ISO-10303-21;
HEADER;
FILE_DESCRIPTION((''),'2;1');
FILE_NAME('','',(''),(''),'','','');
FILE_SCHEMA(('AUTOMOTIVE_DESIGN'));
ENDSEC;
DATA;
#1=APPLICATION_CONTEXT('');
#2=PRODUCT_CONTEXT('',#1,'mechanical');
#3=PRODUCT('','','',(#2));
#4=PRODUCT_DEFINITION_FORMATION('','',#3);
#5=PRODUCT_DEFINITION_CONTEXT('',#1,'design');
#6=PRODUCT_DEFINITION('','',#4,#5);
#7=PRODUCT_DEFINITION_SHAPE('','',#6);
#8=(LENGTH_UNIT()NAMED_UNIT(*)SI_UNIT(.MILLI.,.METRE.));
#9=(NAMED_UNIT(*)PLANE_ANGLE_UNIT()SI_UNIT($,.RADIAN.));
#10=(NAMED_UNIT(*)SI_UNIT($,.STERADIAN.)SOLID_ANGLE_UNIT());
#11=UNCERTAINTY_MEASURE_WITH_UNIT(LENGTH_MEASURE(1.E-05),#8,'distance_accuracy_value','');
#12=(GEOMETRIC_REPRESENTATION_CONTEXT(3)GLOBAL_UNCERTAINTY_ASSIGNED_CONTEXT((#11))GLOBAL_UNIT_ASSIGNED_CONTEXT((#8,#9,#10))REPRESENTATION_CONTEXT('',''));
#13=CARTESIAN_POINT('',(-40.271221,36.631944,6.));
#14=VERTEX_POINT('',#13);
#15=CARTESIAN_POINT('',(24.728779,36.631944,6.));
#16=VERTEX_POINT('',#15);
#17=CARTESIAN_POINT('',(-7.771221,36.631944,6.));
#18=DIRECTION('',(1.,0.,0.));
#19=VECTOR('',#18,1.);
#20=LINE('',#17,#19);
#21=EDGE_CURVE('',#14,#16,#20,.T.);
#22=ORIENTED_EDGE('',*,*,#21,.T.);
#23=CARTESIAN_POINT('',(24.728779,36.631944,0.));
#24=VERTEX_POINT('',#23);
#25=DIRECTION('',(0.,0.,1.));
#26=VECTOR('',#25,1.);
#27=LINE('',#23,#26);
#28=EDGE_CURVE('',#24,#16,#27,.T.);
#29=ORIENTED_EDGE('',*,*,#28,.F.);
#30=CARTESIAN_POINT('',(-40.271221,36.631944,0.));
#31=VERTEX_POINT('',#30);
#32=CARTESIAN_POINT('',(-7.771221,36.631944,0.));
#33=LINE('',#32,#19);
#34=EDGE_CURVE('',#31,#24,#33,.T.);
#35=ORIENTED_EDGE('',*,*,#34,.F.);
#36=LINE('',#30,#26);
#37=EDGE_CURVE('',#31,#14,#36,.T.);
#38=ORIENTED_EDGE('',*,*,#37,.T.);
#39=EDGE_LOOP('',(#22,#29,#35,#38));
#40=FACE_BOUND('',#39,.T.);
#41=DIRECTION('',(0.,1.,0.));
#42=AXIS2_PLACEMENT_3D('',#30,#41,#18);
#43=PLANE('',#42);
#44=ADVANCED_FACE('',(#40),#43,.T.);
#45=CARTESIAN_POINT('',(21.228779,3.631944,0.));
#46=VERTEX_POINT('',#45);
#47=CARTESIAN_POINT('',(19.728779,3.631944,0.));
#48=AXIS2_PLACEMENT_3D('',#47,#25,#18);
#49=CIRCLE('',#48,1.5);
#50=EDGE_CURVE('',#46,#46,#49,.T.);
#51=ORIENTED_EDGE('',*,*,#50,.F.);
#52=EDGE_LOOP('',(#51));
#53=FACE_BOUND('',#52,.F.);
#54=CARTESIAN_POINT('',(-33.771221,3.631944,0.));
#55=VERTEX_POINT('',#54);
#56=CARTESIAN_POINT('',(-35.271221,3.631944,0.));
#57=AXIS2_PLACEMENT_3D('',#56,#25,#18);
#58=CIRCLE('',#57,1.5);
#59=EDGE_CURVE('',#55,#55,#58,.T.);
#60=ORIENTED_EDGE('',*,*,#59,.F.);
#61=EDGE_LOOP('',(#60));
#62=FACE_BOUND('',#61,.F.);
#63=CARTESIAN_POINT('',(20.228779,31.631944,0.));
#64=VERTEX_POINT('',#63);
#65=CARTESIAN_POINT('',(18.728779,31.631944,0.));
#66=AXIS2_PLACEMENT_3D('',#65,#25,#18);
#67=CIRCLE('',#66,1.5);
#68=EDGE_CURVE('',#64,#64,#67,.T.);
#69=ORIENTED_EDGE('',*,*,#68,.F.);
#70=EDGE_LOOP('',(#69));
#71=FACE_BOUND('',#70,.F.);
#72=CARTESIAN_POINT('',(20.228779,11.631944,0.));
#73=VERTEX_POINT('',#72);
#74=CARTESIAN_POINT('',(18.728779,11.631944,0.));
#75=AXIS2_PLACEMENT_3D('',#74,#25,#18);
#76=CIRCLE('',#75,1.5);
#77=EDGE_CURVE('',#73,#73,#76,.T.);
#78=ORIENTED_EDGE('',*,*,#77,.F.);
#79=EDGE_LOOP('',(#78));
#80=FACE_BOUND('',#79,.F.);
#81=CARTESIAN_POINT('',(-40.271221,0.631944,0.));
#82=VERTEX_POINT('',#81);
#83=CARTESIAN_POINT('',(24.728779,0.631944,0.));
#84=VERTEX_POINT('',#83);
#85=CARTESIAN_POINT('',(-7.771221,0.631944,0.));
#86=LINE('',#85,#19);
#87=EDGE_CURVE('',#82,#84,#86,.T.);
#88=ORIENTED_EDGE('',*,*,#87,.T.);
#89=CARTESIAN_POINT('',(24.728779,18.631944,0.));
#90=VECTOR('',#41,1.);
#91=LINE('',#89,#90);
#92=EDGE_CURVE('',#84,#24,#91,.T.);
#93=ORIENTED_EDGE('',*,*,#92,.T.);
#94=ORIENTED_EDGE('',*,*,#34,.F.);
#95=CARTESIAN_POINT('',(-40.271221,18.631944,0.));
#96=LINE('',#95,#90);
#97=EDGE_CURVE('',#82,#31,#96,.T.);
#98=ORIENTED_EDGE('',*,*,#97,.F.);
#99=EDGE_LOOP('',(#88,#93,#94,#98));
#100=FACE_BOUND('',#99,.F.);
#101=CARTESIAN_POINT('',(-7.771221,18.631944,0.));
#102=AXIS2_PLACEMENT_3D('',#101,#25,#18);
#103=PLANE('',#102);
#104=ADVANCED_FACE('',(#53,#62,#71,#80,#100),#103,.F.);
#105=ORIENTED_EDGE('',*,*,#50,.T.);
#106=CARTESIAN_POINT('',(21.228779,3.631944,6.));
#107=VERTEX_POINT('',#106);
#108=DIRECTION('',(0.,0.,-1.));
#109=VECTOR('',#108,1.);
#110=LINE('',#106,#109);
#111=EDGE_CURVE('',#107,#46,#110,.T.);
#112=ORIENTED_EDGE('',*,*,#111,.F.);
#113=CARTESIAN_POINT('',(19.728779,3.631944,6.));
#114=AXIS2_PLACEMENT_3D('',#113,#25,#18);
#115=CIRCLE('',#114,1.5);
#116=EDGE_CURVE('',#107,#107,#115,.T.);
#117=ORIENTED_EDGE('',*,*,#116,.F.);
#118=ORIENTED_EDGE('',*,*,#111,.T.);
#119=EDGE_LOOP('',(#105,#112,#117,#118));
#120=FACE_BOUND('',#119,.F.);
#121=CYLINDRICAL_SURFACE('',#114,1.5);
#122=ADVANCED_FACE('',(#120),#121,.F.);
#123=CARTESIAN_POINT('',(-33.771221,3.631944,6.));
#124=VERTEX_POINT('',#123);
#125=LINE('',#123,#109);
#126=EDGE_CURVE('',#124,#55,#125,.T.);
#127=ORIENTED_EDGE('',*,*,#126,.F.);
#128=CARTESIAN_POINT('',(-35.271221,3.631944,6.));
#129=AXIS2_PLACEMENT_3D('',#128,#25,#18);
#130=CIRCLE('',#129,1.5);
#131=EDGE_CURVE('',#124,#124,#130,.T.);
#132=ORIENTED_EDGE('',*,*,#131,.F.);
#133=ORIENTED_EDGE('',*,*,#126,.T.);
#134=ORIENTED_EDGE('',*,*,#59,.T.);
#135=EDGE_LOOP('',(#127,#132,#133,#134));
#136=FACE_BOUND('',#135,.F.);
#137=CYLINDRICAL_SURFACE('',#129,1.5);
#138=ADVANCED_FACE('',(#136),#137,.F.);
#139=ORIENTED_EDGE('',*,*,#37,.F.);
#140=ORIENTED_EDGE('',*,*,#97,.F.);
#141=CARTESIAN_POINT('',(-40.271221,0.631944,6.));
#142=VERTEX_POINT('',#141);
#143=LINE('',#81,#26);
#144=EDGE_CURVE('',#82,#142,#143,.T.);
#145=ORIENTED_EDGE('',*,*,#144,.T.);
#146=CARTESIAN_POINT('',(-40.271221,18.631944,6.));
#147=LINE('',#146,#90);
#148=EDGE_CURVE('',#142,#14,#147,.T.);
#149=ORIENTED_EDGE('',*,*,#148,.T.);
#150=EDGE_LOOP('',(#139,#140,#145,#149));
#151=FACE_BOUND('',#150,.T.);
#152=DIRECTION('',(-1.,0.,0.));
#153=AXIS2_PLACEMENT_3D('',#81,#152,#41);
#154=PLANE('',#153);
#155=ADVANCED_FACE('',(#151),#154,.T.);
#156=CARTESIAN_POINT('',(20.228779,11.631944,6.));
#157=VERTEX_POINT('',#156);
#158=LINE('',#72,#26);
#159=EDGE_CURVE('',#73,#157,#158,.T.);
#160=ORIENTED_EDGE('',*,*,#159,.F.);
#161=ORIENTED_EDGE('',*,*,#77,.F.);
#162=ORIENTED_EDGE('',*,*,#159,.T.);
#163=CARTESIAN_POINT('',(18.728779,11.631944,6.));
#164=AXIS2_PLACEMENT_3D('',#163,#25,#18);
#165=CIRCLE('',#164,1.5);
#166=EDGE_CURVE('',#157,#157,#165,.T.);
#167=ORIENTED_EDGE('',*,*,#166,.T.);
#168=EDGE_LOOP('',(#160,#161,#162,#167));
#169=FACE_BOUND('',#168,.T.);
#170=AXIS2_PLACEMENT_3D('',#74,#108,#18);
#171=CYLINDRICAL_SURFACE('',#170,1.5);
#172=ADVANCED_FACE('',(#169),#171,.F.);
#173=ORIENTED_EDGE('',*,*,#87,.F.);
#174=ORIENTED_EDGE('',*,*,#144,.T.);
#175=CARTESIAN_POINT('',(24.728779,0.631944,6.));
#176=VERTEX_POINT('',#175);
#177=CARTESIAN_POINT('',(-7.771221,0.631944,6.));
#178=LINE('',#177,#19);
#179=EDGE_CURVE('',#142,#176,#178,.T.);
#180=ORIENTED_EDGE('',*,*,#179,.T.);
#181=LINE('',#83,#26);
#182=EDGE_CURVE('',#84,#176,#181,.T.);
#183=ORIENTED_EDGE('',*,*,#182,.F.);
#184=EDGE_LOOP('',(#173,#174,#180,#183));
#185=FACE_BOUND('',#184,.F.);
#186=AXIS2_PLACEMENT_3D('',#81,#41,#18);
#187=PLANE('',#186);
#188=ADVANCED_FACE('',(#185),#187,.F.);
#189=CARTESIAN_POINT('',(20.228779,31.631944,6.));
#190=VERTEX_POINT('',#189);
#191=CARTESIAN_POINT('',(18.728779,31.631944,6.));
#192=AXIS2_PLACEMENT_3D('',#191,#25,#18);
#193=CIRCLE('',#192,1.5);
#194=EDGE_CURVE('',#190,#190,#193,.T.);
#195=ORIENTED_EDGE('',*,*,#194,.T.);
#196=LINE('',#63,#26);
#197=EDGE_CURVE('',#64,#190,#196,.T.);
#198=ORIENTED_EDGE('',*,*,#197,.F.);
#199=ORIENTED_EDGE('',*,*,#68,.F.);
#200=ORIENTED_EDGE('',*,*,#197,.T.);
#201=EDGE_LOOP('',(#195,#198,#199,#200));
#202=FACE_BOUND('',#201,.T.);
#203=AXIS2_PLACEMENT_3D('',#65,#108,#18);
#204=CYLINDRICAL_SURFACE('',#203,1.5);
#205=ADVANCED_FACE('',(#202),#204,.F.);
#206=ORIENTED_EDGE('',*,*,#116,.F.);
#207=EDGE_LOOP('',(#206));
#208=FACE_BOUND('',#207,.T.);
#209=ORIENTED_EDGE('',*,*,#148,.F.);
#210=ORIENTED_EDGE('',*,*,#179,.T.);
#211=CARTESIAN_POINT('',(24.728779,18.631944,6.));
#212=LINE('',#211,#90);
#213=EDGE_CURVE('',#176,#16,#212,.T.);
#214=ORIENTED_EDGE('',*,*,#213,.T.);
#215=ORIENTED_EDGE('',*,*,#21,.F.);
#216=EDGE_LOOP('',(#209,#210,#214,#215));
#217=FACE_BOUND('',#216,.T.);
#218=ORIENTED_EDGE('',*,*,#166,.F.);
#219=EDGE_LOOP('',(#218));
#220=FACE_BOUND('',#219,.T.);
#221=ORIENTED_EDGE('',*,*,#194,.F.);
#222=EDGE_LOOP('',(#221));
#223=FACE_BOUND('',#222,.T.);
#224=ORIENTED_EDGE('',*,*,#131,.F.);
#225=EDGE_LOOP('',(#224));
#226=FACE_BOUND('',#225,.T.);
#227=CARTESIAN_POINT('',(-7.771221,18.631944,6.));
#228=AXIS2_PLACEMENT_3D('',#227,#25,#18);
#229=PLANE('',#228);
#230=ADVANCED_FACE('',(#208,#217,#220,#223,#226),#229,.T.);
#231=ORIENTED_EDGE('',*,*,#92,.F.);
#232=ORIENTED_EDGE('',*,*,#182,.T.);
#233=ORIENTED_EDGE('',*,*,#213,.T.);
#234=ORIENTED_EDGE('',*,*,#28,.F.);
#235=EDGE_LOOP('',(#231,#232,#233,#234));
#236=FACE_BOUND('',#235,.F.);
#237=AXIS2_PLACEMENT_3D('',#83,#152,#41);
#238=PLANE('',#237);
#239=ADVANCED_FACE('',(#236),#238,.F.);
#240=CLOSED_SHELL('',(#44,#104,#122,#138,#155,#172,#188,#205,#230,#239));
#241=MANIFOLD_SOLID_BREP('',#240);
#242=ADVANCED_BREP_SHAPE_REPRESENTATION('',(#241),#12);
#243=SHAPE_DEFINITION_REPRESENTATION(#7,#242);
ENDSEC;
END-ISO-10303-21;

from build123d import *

# Parameters (mm, degrees)
ESQUISSE1_W             = 65
ESQUISSE1_H             = 36
ESQUISSE1_R             = 1.5
BOSS_EXTRU_1_DEPTH      = 6
ESQUISSE3_R             = 1.5
ENL_V_MAT_EXTRU_1_DEPTH = 10


with BuildPart() as part:
    # Esquisse1 → Boss.-Extru.1 (new body)
    with BuildSketch(Plane.XY):
        with Locations((-7.771220945, 18.631944444)):
            Rectangle(ESQUISSE1_W, ESQUISSE1_H)
        with Locations((18.728779055, 31.631944444)):
            Circle(ESQUISSE1_R, mode=Mode.SUBTRACT)
        with Locations((18.728779055, 11.631944444)):
            Circle(ESQUISSE1_R, mode=Mode.SUBTRACT)
    extrude(amount=BOSS_EXTRU_1_DEPTH)

    # Esquisse3 → Enlèv. mat.-Extru.1 (cut)
    with BuildSketch(Plane.XY.offset(6)):
        with Locations((-35.271220945, 3.631944444)):
            Circle(ESQUISSE3_R)
        with Locations((19.728779055, 3.631944444)):
            Circle(ESQUISSE3_R)
    extrude(amount=-ENL_V_MAT_EXTRU_1_DEPTH, mode=Mode.SUBTRACT)


solid = part.part
